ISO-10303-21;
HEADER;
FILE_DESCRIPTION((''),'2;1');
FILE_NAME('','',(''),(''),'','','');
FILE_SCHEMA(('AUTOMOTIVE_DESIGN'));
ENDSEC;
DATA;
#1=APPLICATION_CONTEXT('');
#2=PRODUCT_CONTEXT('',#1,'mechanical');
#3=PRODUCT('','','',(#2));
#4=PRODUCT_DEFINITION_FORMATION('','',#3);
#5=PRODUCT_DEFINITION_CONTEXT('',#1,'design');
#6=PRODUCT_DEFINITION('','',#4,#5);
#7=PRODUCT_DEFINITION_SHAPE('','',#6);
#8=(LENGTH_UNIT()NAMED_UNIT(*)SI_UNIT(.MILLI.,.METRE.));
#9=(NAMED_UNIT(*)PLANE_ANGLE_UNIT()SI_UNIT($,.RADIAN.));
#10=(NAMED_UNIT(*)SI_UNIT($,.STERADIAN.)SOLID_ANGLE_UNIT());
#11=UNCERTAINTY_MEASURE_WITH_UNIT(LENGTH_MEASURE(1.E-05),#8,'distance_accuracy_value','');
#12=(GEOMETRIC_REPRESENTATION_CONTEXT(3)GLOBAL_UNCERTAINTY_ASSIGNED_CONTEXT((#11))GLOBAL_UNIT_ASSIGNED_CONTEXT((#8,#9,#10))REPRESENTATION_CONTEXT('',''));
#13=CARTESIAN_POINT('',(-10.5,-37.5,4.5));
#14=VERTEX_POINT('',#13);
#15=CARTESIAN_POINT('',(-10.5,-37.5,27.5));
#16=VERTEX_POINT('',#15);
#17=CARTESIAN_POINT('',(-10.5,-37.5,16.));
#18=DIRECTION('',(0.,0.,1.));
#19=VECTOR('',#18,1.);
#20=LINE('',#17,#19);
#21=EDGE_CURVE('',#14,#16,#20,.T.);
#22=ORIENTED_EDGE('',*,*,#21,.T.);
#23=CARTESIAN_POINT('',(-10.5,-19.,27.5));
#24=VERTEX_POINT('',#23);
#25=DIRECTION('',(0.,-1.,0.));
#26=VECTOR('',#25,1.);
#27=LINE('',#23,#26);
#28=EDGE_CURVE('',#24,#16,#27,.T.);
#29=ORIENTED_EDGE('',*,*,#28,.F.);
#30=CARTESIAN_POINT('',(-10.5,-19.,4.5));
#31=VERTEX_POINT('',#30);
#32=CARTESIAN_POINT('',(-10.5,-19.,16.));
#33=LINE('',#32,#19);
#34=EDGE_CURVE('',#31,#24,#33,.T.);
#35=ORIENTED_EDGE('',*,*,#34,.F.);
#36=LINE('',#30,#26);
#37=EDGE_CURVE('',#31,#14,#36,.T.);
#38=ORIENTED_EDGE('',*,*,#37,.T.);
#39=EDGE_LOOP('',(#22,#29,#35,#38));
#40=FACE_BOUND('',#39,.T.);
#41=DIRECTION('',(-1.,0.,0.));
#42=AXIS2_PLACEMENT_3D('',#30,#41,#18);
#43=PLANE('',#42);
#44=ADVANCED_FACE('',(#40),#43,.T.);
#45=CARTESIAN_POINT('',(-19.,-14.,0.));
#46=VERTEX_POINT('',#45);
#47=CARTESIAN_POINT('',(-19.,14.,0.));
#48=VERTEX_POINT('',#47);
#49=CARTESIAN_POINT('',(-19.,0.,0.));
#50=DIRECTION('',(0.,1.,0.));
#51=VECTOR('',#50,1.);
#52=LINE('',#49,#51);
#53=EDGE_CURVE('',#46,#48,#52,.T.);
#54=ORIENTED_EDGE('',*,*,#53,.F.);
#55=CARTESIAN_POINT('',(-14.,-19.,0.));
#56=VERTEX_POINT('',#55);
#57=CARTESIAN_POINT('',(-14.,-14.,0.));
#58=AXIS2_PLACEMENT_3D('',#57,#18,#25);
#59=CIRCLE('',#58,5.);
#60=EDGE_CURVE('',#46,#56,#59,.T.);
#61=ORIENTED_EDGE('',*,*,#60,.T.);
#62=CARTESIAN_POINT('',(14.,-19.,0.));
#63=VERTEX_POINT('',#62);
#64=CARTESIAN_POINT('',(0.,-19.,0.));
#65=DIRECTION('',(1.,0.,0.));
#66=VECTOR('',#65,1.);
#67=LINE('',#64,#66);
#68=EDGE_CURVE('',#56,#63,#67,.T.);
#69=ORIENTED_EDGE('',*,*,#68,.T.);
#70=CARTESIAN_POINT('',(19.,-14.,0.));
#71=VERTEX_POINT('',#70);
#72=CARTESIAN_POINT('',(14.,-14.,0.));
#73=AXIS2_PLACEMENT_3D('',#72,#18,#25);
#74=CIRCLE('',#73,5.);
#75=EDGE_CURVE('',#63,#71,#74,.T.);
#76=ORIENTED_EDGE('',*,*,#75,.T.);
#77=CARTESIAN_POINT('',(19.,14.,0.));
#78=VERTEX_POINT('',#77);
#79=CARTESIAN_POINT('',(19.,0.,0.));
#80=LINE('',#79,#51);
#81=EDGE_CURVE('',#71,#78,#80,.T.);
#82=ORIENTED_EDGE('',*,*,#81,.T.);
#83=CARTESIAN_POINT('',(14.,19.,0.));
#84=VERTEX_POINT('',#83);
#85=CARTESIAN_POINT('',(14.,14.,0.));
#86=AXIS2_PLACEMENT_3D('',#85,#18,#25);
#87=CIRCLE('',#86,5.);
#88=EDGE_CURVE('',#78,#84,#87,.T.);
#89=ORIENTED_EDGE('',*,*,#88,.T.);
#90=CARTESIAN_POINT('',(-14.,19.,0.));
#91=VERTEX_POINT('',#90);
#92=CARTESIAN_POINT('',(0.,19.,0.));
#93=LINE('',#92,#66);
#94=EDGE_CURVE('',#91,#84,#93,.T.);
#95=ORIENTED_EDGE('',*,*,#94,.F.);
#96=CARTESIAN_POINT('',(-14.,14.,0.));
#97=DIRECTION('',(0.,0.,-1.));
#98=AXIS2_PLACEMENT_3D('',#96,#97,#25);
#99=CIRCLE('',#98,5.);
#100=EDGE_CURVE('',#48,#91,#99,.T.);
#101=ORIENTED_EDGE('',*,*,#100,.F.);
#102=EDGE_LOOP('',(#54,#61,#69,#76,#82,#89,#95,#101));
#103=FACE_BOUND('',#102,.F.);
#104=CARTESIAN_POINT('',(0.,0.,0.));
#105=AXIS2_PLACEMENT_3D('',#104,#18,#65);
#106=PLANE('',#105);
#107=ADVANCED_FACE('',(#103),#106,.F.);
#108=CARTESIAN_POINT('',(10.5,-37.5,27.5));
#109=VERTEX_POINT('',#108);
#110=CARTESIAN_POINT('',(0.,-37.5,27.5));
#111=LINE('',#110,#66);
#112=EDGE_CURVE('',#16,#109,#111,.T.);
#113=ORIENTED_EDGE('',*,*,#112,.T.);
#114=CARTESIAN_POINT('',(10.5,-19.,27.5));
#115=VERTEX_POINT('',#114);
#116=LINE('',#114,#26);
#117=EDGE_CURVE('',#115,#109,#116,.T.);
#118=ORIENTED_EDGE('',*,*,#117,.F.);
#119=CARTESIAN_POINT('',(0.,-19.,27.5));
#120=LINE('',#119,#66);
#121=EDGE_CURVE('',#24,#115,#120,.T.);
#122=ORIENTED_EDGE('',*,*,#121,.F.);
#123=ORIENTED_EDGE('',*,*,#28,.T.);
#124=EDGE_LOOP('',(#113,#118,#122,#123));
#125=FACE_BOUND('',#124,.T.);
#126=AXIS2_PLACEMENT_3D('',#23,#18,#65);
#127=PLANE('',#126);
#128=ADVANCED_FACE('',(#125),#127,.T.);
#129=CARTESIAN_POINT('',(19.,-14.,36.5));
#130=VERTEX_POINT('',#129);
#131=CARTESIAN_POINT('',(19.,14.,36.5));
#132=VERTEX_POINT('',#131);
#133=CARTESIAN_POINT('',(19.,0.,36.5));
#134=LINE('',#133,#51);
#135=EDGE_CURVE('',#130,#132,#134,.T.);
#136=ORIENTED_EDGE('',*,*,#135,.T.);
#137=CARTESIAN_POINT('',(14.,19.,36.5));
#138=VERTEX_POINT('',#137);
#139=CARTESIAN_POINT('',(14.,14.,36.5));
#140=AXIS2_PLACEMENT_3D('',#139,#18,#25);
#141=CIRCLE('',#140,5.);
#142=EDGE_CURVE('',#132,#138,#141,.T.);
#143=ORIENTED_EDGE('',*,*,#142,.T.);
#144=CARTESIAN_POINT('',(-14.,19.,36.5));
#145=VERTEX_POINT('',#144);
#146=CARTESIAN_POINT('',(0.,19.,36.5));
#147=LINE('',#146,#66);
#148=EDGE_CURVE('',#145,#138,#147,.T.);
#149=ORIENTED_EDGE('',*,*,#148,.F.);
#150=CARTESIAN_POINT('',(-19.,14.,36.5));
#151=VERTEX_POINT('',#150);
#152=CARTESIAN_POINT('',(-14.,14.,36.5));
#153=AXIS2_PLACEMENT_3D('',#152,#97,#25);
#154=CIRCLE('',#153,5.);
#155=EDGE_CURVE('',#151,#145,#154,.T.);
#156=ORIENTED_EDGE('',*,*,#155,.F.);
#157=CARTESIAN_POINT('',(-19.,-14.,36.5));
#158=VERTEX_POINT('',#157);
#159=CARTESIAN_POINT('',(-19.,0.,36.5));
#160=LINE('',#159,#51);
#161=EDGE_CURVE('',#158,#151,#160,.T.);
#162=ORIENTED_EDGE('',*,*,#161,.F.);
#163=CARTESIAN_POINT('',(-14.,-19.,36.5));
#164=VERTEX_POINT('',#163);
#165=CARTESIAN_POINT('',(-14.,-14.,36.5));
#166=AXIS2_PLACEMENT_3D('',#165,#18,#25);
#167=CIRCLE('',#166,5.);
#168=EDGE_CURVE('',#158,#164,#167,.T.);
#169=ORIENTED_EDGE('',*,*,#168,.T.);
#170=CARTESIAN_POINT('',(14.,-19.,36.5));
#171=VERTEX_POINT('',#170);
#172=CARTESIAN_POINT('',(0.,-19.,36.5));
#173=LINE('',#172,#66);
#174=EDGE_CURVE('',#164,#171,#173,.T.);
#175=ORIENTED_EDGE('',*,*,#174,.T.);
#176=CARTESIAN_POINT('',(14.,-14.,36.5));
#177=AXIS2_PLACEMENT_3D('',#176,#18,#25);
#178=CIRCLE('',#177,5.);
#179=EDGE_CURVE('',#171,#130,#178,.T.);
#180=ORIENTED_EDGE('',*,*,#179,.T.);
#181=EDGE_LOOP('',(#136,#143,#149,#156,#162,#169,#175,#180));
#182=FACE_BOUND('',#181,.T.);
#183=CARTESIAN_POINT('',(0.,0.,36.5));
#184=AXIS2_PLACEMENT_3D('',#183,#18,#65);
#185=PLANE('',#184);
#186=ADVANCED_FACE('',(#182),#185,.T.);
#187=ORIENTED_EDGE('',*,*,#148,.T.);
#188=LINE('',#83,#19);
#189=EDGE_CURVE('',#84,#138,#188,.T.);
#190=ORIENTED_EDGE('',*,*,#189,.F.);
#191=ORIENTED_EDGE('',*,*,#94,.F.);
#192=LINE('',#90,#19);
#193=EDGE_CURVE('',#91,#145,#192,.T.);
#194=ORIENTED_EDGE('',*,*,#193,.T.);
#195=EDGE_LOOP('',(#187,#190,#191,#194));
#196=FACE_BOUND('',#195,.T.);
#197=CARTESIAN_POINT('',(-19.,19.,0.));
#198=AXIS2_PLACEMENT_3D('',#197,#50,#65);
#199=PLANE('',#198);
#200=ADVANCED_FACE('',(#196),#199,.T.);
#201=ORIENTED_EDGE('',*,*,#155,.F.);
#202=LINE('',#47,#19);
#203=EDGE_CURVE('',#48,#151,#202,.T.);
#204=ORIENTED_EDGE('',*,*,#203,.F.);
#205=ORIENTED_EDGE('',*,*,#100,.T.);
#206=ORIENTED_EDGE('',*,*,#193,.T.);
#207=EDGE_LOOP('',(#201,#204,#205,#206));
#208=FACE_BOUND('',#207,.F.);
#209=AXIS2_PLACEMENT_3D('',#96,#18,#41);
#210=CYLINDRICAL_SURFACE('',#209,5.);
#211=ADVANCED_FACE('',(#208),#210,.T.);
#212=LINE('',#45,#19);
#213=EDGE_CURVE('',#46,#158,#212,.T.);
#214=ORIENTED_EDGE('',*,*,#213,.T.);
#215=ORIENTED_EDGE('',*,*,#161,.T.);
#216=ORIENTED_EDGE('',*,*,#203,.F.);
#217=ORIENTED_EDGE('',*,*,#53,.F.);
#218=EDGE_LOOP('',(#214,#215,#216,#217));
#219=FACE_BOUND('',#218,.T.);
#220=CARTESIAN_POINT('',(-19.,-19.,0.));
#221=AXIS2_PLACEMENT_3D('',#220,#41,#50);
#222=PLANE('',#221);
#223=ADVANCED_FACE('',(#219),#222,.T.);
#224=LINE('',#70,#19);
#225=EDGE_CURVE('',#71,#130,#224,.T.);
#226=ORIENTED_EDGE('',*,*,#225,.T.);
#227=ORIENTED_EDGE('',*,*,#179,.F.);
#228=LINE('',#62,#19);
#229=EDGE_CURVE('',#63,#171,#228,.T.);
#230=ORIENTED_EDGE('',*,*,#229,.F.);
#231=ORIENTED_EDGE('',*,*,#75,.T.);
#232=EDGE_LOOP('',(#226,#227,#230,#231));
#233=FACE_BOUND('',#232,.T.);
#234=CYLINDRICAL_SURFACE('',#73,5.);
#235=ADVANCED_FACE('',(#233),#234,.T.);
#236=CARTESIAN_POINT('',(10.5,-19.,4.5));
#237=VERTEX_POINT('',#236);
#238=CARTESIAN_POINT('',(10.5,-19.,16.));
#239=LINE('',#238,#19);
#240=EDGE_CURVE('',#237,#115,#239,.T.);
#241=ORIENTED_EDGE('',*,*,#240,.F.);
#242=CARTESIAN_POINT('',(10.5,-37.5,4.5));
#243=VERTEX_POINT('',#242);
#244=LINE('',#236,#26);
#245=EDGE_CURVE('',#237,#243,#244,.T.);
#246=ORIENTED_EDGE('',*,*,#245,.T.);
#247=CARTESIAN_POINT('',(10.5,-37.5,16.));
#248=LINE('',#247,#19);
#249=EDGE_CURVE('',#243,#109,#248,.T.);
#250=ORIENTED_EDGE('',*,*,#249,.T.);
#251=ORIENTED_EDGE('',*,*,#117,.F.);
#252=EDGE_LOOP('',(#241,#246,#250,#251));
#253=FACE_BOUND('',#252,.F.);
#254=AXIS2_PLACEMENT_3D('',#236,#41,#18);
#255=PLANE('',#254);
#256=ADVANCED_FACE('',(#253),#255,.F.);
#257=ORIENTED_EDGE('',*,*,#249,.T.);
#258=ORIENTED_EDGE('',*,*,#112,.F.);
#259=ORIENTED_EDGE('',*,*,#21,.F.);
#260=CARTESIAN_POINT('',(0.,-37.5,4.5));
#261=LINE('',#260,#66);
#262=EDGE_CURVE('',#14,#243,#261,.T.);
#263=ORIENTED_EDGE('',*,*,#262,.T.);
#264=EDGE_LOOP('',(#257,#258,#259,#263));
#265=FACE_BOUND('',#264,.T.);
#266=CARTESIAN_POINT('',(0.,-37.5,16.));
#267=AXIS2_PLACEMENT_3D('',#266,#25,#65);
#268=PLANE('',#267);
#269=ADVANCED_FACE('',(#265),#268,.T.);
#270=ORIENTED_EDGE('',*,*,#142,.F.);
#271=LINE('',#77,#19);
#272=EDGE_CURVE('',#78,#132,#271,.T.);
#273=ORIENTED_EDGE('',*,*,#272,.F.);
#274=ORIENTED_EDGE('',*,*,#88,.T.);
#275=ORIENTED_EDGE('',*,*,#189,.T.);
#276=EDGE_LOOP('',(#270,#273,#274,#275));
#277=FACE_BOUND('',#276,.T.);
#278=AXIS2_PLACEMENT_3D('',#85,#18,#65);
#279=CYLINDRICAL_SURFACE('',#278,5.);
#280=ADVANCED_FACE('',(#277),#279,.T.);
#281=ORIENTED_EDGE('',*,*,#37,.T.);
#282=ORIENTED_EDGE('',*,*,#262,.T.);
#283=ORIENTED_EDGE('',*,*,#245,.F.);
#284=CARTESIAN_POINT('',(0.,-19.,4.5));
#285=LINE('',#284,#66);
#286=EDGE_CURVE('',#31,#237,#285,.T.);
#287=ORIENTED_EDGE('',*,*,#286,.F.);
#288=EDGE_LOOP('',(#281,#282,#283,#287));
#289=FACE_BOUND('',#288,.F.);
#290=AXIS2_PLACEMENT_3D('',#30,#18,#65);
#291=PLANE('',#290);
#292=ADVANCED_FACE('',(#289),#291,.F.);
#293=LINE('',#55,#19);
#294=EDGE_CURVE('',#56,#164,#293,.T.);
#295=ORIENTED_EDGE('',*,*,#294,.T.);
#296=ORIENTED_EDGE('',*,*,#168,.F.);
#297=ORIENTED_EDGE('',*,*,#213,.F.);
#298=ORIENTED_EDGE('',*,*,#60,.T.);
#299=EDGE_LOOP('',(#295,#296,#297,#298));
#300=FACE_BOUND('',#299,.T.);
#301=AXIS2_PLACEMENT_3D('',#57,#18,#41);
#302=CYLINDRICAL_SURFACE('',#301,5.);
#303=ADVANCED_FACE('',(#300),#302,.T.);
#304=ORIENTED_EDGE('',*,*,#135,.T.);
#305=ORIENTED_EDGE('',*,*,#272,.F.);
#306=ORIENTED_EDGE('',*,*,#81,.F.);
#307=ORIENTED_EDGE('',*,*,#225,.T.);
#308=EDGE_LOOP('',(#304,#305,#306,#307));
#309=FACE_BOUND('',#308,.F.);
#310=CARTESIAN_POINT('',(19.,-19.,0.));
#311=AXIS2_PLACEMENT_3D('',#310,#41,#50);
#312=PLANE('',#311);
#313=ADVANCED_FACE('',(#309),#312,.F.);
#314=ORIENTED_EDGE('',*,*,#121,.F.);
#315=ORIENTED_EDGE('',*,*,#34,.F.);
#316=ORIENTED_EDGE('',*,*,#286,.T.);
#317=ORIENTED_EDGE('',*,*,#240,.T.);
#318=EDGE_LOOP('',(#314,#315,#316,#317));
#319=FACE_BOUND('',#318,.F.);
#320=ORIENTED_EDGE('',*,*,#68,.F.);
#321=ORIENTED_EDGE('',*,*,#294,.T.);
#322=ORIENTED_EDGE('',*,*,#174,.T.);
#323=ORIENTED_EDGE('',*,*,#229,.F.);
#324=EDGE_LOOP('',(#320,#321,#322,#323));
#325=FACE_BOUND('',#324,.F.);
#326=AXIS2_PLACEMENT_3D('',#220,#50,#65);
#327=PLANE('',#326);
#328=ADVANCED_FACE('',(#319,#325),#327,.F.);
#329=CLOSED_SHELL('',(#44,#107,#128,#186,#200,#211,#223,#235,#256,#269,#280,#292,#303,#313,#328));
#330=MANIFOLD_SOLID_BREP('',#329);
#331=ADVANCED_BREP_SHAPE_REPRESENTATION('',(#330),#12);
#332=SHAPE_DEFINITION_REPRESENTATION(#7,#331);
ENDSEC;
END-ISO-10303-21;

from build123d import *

# Parameters (mm, degrees)
F0_W     = 38
F0_H     = 38
F1_DEPTH = 36.5
F2_R     = 5
F3_W     = 21
F3_H     = 23
F4_DEPTH = 18.5


with BuildPart() as f1:
    # F0 (on Top) → F1 (new body)
    with BuildSketch(Plane.XY):
        Rectangle(F0_W, F0_H)
    extrude(amount=F1_DEPTH)

    # F2
    f2_edges = [f1.edges().sort_by_distance(p)[0] for p in [
        (19, -19, 18.25),
        (19, 19, 18.25),
        (-19, 19, 18.25),
        (-19, -19, 18.25),
    ]]
    fillet(f2_edges, radius=F2_R)

    # F3 (on face) → F4 (join)
    with BuildSketch(Plane.XZ.offset(19)):
        with Locations((0, 16)):
            Rectangle(F3_W, F3_H)
    extrude(amount=F4_DEPTH)


solid = f1.part
